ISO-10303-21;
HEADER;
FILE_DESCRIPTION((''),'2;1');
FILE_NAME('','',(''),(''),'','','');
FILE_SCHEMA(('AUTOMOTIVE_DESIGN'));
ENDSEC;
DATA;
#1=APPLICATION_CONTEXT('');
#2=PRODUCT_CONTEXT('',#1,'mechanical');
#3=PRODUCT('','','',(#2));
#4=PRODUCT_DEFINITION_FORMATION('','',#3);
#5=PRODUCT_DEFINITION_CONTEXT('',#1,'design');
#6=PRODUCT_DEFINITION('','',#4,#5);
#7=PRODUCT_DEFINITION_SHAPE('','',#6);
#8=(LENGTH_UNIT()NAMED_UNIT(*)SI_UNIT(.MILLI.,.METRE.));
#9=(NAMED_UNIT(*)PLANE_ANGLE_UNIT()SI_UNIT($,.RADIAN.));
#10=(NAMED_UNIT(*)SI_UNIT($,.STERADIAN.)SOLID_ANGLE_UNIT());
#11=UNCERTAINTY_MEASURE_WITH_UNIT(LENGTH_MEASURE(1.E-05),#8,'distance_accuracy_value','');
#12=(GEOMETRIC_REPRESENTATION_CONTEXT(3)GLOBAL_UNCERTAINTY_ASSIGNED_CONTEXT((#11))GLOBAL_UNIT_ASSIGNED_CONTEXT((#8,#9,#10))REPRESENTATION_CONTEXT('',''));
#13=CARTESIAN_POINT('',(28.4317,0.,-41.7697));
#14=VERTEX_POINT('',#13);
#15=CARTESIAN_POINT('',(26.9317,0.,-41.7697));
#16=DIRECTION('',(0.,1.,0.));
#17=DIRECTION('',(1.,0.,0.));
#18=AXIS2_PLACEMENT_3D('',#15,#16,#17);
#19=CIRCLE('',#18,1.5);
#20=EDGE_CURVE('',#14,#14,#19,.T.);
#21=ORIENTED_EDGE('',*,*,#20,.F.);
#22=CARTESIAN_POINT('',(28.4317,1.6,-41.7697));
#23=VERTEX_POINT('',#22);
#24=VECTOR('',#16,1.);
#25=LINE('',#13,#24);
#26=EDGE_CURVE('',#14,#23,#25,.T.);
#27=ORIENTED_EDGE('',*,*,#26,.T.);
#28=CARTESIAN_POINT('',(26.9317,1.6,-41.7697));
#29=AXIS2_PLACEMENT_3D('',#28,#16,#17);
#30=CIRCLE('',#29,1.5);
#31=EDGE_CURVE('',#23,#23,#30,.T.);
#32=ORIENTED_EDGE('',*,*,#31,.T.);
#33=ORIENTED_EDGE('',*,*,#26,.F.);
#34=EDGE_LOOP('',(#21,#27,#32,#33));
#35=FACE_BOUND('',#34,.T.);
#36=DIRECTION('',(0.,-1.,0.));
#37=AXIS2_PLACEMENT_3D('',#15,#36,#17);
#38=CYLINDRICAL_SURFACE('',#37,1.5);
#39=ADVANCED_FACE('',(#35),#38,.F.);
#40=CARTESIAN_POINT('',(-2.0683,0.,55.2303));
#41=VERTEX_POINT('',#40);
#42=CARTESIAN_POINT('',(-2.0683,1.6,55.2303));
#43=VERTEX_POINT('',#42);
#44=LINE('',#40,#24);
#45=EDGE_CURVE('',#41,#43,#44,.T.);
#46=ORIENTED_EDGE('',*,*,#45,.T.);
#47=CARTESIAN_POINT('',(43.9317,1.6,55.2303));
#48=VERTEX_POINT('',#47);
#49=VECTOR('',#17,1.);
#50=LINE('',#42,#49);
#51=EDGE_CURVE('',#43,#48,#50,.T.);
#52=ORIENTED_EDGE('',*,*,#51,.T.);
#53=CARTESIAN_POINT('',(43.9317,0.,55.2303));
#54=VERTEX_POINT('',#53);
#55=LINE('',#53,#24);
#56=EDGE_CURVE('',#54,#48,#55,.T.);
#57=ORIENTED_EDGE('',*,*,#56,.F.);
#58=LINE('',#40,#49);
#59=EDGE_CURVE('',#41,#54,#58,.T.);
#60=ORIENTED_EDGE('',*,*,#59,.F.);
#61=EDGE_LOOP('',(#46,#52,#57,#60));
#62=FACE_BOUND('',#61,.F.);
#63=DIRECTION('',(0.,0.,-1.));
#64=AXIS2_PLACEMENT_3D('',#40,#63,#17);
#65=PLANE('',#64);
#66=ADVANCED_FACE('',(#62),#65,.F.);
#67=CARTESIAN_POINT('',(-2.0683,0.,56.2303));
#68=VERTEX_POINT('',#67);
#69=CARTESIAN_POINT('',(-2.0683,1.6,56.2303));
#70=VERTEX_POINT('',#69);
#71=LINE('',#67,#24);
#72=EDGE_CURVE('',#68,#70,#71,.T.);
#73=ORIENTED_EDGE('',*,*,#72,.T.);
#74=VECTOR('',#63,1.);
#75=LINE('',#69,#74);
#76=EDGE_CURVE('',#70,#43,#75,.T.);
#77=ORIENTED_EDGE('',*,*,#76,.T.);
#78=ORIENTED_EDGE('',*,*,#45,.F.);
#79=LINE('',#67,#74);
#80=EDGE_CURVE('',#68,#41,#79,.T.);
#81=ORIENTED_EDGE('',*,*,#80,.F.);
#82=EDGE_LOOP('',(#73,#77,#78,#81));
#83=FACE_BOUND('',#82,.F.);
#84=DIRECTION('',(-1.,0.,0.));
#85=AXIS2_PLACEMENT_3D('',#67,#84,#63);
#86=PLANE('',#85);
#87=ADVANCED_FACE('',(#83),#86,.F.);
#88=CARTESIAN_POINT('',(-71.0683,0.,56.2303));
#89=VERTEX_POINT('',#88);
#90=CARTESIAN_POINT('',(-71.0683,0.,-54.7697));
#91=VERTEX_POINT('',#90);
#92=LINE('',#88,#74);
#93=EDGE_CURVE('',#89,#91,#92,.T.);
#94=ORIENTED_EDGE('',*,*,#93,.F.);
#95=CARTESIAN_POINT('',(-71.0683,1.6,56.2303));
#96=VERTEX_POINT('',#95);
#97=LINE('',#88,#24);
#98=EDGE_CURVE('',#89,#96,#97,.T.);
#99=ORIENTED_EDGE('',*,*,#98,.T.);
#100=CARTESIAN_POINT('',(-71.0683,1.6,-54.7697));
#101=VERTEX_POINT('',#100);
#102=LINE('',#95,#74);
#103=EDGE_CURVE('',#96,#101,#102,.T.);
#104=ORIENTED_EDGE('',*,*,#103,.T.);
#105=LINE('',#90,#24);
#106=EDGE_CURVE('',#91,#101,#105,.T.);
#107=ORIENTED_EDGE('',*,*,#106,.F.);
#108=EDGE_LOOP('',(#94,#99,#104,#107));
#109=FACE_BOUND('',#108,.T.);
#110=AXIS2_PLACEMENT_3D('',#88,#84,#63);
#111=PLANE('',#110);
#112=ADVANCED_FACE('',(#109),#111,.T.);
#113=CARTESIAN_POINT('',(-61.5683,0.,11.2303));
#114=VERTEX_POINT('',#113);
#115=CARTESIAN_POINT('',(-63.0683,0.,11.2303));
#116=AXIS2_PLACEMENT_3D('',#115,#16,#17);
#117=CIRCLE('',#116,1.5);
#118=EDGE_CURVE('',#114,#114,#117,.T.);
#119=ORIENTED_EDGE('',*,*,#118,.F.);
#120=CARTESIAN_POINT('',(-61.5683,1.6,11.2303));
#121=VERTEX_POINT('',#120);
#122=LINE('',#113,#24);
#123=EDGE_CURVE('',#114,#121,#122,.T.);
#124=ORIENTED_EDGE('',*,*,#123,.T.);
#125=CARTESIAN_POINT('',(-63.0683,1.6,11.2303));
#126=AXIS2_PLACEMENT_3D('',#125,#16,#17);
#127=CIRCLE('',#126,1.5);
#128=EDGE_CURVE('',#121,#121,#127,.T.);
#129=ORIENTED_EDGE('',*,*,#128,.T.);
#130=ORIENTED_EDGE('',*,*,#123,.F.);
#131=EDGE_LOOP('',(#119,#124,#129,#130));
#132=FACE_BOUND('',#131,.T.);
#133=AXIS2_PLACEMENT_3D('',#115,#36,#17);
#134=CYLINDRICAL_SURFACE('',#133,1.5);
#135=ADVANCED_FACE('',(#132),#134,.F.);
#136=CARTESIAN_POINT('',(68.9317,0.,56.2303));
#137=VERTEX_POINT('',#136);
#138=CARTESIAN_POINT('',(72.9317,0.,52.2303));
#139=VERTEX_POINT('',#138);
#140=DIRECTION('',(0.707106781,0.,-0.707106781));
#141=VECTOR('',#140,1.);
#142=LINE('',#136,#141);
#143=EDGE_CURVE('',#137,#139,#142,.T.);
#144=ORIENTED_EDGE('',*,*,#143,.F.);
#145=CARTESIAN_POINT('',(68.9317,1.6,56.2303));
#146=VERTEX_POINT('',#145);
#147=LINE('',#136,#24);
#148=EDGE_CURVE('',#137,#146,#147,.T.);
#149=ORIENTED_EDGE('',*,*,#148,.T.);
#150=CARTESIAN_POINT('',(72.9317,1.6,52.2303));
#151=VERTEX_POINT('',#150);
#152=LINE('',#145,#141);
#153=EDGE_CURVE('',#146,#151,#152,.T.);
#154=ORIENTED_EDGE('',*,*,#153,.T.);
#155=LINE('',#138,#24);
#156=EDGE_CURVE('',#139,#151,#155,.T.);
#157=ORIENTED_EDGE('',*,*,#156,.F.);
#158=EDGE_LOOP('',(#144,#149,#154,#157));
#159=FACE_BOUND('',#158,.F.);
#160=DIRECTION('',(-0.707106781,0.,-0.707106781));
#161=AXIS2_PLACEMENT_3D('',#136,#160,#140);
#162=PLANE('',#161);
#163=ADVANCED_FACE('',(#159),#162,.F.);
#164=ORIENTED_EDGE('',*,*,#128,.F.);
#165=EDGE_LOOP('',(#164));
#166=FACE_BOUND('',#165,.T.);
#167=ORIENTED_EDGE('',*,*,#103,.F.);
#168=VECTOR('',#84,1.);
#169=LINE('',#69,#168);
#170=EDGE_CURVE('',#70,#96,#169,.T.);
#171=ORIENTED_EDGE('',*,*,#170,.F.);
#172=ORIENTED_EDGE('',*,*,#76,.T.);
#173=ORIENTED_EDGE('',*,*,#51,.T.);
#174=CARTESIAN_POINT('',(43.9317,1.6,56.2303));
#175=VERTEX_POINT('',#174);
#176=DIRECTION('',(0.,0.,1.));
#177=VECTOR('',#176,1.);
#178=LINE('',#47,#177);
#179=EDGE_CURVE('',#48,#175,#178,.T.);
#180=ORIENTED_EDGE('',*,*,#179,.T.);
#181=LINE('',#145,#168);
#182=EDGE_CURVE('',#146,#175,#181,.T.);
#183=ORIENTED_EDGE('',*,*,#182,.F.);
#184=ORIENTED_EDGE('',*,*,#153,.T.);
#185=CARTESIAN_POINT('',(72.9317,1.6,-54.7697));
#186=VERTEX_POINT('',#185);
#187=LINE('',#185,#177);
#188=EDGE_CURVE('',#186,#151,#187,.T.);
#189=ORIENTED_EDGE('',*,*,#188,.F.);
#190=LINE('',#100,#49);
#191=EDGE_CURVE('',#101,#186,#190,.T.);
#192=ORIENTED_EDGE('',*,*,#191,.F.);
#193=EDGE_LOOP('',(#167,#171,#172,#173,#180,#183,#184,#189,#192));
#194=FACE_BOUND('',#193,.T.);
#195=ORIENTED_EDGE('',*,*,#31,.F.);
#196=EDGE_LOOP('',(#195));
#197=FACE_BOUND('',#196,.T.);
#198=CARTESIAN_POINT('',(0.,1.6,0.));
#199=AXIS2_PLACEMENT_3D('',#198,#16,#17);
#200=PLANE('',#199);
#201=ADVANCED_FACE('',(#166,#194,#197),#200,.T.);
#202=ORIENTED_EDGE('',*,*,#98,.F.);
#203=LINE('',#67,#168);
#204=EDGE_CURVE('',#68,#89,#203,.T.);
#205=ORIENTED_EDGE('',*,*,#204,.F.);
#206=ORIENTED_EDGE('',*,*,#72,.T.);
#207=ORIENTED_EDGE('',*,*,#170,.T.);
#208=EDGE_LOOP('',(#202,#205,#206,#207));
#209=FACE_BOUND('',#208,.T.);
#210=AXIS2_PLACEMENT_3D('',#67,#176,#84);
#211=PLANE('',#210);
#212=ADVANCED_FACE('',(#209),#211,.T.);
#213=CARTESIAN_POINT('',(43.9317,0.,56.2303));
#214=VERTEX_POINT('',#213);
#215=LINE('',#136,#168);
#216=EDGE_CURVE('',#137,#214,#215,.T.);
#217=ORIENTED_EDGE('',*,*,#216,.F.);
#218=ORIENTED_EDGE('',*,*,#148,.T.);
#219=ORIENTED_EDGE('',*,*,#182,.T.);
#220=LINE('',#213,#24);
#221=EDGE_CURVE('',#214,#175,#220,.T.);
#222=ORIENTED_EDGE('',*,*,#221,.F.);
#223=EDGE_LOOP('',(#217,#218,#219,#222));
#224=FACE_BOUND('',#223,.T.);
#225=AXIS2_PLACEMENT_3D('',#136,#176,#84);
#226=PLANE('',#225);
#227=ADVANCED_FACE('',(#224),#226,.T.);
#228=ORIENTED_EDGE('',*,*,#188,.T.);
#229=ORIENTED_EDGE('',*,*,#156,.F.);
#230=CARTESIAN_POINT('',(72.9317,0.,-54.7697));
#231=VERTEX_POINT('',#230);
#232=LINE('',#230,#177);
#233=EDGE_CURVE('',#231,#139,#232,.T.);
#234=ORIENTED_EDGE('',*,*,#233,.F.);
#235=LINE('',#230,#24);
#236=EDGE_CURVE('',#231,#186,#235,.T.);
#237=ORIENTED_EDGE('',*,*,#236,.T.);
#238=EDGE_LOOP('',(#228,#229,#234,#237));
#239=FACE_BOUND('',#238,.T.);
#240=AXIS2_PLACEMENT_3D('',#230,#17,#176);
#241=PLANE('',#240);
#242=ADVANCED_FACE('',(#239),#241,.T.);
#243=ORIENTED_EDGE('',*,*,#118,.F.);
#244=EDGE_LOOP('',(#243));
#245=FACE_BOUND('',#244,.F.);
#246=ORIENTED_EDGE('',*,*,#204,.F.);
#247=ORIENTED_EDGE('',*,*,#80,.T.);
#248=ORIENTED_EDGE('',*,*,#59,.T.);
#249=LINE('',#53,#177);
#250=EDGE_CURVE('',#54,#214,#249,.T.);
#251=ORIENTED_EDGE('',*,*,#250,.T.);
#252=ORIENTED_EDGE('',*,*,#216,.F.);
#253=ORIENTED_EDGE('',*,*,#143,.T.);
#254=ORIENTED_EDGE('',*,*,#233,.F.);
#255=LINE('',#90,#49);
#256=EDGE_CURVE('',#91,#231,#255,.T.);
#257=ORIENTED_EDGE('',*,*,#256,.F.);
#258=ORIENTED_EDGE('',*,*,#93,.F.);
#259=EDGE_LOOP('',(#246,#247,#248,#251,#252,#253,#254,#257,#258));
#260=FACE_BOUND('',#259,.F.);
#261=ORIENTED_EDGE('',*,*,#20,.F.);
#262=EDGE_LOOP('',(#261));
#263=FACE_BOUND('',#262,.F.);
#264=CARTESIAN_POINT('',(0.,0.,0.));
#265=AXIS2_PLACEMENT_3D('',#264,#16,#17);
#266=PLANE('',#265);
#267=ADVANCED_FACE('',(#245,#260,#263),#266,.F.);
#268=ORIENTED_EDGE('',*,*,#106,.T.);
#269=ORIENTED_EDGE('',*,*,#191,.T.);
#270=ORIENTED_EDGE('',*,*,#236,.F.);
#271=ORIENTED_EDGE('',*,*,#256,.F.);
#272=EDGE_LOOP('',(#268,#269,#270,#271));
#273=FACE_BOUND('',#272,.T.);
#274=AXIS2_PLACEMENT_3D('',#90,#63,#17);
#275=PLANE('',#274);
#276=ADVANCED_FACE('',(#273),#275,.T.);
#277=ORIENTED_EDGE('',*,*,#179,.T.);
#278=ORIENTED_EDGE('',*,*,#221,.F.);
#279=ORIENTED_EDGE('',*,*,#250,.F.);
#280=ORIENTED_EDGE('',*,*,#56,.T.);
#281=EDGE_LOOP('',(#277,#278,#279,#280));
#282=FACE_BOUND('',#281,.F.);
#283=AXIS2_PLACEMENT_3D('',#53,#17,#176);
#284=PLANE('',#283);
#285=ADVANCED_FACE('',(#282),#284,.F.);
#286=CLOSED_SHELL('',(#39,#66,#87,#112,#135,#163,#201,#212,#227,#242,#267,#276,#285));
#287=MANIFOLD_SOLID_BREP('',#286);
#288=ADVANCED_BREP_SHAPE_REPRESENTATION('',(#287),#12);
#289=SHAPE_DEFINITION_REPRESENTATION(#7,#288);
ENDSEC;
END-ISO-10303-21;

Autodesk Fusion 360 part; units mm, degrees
sketch "Sketch1" plane through (0, 0, 0) normal (0, 1, 0) x (1, 0, 0)
  line L0 (-71.0683, 54.7697) -> (72.9317, 54.7697)
  line L1 (72.9317, 54.7697) -> (72.9317, -52.2303)
  line L2 (-71.0683, -56.2303) -> (-71.0683, 54.7697)
  line L3 (-2.0683, -56.2303) -> (-2.0683, -55.2303)
  line L4 (-2.0683, -55.2303) -> (43.9317, -55.2303)
  line L5 (43.9317, -55.2303) -> (43.9317, -56.2303)
  line L6 (68.9317, -56.2303) -> (43.9317, -56.2303)
  line L7 (-2.0683, -56.2303) -> (-71.0683, -56.2303)
  line L8 (72.9317, -52.2303) -> (68.9317, -52.2303) construction
  line L9 (68.9317, -56.2303) -> (68.9317, -52.2303) construction
  line L10 (68.9317, -56.2303) -> (72.9317, -52.2303)
  circle A0 centre (-63.0683, -11.2303) radius 1.5
  circle A1 centre (26.9317, 41.7697) radius 1.5
  dimension "d3" = 1
  dimension "d4" = 46
  dimension "d5" = 69
  dimension "d6" = 4
  dimension "d8" = 4
  dimension "d11" = 4
  dimension "d14" = 144
  dimension "d17" = 25
  dimension "d18" = 3
  dimension "d19" = 8
  dimension "d20" = 66
  dimension "d21" = 111
  dimension "d23" = 111
  dimension "d24" = 45
  dimension "d25" = 3
  dimension "d26" = 13
  dimension "d27" = 46
  dimension "d28" = 98
extrude "Extrude1" add sketch "Sketch1" along normal blind 1.6
